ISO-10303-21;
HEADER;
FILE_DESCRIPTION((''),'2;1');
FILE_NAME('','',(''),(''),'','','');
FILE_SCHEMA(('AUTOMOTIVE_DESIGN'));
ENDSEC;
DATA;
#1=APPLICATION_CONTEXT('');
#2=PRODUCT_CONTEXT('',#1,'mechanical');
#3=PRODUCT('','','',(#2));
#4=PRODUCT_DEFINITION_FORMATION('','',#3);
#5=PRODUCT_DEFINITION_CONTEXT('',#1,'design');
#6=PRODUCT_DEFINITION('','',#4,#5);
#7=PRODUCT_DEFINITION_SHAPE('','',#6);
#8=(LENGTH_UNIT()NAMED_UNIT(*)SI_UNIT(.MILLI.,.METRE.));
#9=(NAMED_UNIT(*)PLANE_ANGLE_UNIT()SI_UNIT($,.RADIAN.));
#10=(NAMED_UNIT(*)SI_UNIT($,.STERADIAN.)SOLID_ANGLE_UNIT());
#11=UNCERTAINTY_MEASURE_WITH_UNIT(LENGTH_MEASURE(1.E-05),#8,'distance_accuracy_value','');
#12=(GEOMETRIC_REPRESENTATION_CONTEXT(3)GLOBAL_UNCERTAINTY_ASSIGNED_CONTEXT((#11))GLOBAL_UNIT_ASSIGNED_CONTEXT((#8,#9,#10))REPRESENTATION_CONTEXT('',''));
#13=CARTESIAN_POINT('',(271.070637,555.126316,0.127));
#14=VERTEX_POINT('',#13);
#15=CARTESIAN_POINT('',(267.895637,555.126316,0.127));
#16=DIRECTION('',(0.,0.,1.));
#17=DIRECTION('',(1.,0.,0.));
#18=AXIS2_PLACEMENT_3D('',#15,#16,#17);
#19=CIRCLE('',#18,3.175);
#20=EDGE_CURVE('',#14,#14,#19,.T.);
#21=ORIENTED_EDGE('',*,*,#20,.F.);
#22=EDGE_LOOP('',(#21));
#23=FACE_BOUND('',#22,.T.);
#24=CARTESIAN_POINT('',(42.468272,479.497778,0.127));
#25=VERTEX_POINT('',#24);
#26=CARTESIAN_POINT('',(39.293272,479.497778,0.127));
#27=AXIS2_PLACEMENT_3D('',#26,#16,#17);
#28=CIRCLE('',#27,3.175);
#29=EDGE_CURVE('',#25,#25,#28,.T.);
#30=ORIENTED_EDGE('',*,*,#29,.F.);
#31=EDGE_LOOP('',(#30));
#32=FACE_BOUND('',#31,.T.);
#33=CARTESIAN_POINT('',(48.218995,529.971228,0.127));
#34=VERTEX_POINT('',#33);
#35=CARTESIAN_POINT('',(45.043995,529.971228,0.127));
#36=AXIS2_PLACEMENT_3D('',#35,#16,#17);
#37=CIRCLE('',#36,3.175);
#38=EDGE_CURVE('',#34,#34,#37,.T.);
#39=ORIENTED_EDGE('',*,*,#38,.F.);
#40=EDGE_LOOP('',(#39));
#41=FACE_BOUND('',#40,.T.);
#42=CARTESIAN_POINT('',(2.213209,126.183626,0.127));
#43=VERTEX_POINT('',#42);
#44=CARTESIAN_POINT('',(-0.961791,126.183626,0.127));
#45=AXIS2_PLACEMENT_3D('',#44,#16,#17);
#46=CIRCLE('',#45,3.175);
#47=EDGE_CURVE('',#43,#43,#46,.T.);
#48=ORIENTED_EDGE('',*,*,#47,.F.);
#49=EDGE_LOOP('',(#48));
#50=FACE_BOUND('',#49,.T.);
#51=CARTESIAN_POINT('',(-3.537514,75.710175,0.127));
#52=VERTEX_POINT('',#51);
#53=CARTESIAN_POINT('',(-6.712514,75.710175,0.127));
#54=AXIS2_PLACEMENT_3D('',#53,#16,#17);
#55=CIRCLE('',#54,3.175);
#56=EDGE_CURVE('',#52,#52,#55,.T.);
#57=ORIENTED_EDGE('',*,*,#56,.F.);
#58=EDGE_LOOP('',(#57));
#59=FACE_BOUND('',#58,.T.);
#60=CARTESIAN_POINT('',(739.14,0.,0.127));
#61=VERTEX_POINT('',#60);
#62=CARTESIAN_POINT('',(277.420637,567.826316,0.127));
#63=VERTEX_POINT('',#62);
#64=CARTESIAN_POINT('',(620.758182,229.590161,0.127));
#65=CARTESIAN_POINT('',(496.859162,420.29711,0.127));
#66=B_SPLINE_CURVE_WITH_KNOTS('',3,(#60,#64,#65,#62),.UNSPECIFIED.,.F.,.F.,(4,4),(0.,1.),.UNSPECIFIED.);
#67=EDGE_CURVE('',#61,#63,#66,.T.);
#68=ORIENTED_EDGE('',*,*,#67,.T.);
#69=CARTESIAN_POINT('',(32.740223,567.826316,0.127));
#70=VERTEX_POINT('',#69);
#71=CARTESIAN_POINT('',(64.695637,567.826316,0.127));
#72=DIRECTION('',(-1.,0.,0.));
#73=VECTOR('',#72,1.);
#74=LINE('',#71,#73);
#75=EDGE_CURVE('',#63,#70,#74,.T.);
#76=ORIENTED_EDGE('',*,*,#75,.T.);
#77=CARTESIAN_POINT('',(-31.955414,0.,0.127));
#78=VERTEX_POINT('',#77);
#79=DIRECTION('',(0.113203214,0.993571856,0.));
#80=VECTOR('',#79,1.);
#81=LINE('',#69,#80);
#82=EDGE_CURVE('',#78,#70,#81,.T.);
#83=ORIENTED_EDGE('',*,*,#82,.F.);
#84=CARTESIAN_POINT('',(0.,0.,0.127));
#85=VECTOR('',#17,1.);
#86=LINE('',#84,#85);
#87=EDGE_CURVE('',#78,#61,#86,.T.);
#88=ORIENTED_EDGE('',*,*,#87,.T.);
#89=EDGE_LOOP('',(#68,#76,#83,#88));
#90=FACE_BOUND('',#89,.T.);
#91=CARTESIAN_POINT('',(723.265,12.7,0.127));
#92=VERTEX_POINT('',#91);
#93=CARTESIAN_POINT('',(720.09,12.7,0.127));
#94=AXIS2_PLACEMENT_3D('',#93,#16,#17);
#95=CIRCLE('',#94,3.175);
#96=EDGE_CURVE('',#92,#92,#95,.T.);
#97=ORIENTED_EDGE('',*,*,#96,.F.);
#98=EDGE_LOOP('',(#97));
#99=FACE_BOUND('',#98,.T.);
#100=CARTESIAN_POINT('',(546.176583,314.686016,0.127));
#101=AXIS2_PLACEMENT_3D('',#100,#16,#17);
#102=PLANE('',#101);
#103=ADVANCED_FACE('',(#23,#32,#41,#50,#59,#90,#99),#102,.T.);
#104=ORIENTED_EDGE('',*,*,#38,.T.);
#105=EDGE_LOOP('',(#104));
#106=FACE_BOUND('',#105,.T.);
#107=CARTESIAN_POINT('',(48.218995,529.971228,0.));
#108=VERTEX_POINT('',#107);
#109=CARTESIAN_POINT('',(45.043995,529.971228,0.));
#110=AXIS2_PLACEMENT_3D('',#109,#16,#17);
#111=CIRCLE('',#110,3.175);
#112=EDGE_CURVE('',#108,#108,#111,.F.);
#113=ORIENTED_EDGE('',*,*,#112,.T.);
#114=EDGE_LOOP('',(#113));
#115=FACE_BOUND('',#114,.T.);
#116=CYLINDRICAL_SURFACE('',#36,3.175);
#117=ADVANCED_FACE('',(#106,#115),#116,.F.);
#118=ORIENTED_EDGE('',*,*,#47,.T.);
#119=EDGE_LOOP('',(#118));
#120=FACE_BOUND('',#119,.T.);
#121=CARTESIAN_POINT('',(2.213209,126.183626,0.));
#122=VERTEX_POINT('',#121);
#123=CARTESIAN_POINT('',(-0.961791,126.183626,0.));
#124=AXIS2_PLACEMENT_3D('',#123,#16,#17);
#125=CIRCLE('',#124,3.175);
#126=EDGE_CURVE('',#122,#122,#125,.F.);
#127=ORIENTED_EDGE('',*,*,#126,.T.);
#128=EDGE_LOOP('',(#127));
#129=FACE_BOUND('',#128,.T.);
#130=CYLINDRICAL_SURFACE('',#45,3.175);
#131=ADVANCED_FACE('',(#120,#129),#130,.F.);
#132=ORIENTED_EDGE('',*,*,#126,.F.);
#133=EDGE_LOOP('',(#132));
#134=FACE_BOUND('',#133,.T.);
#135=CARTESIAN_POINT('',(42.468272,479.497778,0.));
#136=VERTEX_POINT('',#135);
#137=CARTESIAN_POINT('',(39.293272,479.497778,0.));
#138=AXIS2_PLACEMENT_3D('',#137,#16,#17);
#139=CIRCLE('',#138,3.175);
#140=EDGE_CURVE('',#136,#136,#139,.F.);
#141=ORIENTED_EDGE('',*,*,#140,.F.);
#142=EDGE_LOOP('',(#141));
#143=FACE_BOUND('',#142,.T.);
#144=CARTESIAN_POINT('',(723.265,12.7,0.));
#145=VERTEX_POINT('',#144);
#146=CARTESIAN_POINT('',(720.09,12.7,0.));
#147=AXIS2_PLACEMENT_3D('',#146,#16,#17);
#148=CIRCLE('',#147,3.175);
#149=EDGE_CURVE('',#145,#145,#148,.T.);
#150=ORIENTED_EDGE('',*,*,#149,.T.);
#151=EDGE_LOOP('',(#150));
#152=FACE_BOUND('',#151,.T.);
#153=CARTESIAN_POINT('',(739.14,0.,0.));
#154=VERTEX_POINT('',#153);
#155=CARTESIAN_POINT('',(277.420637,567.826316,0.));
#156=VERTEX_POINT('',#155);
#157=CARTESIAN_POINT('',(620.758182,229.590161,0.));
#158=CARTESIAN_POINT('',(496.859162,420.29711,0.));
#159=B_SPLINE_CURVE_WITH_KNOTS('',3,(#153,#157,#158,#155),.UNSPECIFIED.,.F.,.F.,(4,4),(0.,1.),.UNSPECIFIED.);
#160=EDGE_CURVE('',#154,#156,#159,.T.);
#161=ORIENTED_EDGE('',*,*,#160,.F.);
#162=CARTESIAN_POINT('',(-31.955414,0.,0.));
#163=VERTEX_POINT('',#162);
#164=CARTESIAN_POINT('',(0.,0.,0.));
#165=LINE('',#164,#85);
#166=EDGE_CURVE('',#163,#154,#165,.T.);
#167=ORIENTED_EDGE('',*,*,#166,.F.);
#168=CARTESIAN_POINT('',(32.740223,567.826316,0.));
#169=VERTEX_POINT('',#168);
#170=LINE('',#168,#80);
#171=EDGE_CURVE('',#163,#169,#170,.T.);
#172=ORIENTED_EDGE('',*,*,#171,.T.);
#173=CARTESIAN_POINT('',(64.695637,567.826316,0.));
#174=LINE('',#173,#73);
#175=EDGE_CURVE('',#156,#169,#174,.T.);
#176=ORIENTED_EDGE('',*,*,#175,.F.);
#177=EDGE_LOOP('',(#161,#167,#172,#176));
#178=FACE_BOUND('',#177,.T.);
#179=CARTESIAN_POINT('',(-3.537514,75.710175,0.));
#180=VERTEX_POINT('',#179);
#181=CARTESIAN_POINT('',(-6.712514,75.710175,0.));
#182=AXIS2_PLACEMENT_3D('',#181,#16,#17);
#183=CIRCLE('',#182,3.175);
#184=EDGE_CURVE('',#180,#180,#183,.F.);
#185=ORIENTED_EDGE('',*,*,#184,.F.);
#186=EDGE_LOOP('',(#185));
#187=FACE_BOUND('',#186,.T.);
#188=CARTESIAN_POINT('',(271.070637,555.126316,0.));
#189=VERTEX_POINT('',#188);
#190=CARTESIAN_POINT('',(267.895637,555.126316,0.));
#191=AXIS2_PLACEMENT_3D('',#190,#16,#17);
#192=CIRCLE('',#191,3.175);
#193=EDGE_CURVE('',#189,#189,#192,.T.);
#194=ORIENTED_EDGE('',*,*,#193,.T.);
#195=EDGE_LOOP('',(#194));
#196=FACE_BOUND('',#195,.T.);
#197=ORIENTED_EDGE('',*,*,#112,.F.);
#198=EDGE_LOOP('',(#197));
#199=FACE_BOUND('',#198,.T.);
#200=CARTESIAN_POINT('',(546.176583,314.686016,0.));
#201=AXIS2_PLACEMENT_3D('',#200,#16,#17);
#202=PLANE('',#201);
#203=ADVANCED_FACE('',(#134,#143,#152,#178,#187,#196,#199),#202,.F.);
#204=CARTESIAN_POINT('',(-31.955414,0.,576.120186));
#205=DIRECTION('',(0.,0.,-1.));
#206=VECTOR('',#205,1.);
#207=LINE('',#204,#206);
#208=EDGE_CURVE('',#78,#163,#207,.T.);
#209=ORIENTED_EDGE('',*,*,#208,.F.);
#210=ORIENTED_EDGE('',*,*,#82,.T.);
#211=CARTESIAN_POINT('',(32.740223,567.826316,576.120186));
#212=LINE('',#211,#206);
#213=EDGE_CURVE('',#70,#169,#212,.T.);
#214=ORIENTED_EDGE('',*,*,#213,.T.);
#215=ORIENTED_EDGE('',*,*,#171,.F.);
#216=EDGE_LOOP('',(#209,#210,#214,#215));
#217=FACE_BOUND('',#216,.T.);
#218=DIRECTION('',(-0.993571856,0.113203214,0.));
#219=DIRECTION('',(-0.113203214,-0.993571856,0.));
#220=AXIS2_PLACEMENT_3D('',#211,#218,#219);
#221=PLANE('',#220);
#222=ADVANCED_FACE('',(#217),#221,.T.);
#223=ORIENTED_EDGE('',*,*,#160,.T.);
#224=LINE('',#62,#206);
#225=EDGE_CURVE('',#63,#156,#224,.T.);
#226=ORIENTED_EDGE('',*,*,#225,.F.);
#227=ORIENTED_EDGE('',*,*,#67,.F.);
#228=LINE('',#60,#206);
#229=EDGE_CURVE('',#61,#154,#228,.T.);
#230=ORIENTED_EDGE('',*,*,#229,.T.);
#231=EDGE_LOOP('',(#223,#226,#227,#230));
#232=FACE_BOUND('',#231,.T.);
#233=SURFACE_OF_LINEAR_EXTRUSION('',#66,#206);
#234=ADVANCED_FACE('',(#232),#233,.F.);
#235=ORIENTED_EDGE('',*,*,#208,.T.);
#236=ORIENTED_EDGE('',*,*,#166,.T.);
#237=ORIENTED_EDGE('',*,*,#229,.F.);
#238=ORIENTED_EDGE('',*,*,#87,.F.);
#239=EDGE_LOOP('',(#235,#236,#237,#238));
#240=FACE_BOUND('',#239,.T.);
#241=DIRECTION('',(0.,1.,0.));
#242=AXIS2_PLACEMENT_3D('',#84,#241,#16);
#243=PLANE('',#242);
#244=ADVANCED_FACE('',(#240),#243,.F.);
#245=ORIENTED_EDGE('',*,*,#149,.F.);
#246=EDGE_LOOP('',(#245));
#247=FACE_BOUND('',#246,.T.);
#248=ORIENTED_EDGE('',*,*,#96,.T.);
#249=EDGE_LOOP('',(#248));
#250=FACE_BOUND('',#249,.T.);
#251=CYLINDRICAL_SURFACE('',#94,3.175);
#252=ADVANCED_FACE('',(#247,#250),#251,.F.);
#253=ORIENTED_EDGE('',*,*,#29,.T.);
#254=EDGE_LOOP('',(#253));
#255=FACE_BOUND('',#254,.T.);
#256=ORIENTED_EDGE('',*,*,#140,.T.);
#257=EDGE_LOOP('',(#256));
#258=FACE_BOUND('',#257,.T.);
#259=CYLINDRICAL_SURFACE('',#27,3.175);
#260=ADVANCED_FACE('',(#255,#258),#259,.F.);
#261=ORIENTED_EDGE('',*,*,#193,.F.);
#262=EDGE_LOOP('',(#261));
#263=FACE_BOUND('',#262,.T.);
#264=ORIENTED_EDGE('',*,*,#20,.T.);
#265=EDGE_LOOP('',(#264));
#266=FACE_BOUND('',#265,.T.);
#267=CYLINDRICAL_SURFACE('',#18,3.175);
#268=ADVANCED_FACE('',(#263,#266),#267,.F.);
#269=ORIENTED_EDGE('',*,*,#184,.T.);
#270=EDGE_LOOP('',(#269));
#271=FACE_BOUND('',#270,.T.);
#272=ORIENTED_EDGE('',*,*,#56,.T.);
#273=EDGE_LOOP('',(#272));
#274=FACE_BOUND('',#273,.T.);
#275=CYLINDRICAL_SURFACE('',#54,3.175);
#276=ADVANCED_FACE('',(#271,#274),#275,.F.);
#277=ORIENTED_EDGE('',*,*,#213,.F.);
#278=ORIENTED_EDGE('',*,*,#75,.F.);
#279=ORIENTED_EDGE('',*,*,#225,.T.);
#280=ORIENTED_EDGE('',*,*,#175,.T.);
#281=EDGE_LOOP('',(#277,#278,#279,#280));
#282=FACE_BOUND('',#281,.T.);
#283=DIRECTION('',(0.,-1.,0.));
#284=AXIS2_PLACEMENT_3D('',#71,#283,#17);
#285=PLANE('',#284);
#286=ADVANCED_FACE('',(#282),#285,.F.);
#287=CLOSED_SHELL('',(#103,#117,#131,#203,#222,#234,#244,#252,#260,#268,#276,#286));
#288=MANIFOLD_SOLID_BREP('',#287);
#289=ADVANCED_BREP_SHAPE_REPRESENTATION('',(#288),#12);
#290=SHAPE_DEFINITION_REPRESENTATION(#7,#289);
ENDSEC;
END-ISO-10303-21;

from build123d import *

# Parameters (mm, degrees)
BOSS_EXTRUDE1_DEPTH             = 0.127
BOSS_EXTRUDE2_DEPTH             = 0.127
F_1_4_0_25_DIAMETER_HOLE2_D     = 6.35
F_1_4_0_25_DIAMETER_HOLE3_D     = 6.35
F_1_4_0_25_DIAMETER_HOLE3_DEPTH = 0.127


with BuildPart() as part:
    # Sketch1 → Boss-Extrude1 (new body)
    with BuildSketch(Plane.XY):
        with BuildLine():
            Line((0, 0), (739.14, 0))
            add(Edge.make_bspline(
                [(277.420636668, 567.826315519), (496.859161811, 420.297110317), (620.758181585, 229.590161119), (739.14, 0)],
                knots=[0, 0, 0, 0, 1, 1, 1, 1], degree=3))
            Line((277.420636668, 567.826315519), (64.695636668, 567.826315519))
            Line((64.695636668, 567.826315519), (0, 0))
        make_face()
    extrude(amount=BOSS_EXTRUDE1_DEPTH)

    # Sketch5 → Boss-Extrude2 (add)
    with BuildSketch(Plane(origin=(0, 0, 0), x_dir=(-1, 0, 0), z_dir=(0, 0, -1))):
        Polygon((-64.695636668, 567.826315519), (-32.740222655, 567.826315519), (31.955414013, 0), (0, 0), align=None)
    extrude(amount=-BOSS_EXTRUDE2_DEPTH)

    # 1/4 (0.25) Diameter Hole2 (through all)
    with Locations(Plane.XY.offset(0.127)):
        with Locations((-6.712513837, 75.710175403), (-0.961790578, 126.183625671), (39.293272238, 479.49777755), (45.043995497, 529.971227818)):
            Hole(F_1_4_0_25_DIAMETER_HOLE2_D / 2)

    # 1/4 (0.25) Diameter Hole3
    with Locations(Plane.XY.offset(0.127)):
        with Locations((720.09, 12.7), (267.895636668, 555.126315519)):
            Hole(F_1_4_0_25_DIAMETER_HOLE3_D / 2, depth=F_1_4_0_25_DIAMETER_HOLE3_DEPTH)


solid = part.part
